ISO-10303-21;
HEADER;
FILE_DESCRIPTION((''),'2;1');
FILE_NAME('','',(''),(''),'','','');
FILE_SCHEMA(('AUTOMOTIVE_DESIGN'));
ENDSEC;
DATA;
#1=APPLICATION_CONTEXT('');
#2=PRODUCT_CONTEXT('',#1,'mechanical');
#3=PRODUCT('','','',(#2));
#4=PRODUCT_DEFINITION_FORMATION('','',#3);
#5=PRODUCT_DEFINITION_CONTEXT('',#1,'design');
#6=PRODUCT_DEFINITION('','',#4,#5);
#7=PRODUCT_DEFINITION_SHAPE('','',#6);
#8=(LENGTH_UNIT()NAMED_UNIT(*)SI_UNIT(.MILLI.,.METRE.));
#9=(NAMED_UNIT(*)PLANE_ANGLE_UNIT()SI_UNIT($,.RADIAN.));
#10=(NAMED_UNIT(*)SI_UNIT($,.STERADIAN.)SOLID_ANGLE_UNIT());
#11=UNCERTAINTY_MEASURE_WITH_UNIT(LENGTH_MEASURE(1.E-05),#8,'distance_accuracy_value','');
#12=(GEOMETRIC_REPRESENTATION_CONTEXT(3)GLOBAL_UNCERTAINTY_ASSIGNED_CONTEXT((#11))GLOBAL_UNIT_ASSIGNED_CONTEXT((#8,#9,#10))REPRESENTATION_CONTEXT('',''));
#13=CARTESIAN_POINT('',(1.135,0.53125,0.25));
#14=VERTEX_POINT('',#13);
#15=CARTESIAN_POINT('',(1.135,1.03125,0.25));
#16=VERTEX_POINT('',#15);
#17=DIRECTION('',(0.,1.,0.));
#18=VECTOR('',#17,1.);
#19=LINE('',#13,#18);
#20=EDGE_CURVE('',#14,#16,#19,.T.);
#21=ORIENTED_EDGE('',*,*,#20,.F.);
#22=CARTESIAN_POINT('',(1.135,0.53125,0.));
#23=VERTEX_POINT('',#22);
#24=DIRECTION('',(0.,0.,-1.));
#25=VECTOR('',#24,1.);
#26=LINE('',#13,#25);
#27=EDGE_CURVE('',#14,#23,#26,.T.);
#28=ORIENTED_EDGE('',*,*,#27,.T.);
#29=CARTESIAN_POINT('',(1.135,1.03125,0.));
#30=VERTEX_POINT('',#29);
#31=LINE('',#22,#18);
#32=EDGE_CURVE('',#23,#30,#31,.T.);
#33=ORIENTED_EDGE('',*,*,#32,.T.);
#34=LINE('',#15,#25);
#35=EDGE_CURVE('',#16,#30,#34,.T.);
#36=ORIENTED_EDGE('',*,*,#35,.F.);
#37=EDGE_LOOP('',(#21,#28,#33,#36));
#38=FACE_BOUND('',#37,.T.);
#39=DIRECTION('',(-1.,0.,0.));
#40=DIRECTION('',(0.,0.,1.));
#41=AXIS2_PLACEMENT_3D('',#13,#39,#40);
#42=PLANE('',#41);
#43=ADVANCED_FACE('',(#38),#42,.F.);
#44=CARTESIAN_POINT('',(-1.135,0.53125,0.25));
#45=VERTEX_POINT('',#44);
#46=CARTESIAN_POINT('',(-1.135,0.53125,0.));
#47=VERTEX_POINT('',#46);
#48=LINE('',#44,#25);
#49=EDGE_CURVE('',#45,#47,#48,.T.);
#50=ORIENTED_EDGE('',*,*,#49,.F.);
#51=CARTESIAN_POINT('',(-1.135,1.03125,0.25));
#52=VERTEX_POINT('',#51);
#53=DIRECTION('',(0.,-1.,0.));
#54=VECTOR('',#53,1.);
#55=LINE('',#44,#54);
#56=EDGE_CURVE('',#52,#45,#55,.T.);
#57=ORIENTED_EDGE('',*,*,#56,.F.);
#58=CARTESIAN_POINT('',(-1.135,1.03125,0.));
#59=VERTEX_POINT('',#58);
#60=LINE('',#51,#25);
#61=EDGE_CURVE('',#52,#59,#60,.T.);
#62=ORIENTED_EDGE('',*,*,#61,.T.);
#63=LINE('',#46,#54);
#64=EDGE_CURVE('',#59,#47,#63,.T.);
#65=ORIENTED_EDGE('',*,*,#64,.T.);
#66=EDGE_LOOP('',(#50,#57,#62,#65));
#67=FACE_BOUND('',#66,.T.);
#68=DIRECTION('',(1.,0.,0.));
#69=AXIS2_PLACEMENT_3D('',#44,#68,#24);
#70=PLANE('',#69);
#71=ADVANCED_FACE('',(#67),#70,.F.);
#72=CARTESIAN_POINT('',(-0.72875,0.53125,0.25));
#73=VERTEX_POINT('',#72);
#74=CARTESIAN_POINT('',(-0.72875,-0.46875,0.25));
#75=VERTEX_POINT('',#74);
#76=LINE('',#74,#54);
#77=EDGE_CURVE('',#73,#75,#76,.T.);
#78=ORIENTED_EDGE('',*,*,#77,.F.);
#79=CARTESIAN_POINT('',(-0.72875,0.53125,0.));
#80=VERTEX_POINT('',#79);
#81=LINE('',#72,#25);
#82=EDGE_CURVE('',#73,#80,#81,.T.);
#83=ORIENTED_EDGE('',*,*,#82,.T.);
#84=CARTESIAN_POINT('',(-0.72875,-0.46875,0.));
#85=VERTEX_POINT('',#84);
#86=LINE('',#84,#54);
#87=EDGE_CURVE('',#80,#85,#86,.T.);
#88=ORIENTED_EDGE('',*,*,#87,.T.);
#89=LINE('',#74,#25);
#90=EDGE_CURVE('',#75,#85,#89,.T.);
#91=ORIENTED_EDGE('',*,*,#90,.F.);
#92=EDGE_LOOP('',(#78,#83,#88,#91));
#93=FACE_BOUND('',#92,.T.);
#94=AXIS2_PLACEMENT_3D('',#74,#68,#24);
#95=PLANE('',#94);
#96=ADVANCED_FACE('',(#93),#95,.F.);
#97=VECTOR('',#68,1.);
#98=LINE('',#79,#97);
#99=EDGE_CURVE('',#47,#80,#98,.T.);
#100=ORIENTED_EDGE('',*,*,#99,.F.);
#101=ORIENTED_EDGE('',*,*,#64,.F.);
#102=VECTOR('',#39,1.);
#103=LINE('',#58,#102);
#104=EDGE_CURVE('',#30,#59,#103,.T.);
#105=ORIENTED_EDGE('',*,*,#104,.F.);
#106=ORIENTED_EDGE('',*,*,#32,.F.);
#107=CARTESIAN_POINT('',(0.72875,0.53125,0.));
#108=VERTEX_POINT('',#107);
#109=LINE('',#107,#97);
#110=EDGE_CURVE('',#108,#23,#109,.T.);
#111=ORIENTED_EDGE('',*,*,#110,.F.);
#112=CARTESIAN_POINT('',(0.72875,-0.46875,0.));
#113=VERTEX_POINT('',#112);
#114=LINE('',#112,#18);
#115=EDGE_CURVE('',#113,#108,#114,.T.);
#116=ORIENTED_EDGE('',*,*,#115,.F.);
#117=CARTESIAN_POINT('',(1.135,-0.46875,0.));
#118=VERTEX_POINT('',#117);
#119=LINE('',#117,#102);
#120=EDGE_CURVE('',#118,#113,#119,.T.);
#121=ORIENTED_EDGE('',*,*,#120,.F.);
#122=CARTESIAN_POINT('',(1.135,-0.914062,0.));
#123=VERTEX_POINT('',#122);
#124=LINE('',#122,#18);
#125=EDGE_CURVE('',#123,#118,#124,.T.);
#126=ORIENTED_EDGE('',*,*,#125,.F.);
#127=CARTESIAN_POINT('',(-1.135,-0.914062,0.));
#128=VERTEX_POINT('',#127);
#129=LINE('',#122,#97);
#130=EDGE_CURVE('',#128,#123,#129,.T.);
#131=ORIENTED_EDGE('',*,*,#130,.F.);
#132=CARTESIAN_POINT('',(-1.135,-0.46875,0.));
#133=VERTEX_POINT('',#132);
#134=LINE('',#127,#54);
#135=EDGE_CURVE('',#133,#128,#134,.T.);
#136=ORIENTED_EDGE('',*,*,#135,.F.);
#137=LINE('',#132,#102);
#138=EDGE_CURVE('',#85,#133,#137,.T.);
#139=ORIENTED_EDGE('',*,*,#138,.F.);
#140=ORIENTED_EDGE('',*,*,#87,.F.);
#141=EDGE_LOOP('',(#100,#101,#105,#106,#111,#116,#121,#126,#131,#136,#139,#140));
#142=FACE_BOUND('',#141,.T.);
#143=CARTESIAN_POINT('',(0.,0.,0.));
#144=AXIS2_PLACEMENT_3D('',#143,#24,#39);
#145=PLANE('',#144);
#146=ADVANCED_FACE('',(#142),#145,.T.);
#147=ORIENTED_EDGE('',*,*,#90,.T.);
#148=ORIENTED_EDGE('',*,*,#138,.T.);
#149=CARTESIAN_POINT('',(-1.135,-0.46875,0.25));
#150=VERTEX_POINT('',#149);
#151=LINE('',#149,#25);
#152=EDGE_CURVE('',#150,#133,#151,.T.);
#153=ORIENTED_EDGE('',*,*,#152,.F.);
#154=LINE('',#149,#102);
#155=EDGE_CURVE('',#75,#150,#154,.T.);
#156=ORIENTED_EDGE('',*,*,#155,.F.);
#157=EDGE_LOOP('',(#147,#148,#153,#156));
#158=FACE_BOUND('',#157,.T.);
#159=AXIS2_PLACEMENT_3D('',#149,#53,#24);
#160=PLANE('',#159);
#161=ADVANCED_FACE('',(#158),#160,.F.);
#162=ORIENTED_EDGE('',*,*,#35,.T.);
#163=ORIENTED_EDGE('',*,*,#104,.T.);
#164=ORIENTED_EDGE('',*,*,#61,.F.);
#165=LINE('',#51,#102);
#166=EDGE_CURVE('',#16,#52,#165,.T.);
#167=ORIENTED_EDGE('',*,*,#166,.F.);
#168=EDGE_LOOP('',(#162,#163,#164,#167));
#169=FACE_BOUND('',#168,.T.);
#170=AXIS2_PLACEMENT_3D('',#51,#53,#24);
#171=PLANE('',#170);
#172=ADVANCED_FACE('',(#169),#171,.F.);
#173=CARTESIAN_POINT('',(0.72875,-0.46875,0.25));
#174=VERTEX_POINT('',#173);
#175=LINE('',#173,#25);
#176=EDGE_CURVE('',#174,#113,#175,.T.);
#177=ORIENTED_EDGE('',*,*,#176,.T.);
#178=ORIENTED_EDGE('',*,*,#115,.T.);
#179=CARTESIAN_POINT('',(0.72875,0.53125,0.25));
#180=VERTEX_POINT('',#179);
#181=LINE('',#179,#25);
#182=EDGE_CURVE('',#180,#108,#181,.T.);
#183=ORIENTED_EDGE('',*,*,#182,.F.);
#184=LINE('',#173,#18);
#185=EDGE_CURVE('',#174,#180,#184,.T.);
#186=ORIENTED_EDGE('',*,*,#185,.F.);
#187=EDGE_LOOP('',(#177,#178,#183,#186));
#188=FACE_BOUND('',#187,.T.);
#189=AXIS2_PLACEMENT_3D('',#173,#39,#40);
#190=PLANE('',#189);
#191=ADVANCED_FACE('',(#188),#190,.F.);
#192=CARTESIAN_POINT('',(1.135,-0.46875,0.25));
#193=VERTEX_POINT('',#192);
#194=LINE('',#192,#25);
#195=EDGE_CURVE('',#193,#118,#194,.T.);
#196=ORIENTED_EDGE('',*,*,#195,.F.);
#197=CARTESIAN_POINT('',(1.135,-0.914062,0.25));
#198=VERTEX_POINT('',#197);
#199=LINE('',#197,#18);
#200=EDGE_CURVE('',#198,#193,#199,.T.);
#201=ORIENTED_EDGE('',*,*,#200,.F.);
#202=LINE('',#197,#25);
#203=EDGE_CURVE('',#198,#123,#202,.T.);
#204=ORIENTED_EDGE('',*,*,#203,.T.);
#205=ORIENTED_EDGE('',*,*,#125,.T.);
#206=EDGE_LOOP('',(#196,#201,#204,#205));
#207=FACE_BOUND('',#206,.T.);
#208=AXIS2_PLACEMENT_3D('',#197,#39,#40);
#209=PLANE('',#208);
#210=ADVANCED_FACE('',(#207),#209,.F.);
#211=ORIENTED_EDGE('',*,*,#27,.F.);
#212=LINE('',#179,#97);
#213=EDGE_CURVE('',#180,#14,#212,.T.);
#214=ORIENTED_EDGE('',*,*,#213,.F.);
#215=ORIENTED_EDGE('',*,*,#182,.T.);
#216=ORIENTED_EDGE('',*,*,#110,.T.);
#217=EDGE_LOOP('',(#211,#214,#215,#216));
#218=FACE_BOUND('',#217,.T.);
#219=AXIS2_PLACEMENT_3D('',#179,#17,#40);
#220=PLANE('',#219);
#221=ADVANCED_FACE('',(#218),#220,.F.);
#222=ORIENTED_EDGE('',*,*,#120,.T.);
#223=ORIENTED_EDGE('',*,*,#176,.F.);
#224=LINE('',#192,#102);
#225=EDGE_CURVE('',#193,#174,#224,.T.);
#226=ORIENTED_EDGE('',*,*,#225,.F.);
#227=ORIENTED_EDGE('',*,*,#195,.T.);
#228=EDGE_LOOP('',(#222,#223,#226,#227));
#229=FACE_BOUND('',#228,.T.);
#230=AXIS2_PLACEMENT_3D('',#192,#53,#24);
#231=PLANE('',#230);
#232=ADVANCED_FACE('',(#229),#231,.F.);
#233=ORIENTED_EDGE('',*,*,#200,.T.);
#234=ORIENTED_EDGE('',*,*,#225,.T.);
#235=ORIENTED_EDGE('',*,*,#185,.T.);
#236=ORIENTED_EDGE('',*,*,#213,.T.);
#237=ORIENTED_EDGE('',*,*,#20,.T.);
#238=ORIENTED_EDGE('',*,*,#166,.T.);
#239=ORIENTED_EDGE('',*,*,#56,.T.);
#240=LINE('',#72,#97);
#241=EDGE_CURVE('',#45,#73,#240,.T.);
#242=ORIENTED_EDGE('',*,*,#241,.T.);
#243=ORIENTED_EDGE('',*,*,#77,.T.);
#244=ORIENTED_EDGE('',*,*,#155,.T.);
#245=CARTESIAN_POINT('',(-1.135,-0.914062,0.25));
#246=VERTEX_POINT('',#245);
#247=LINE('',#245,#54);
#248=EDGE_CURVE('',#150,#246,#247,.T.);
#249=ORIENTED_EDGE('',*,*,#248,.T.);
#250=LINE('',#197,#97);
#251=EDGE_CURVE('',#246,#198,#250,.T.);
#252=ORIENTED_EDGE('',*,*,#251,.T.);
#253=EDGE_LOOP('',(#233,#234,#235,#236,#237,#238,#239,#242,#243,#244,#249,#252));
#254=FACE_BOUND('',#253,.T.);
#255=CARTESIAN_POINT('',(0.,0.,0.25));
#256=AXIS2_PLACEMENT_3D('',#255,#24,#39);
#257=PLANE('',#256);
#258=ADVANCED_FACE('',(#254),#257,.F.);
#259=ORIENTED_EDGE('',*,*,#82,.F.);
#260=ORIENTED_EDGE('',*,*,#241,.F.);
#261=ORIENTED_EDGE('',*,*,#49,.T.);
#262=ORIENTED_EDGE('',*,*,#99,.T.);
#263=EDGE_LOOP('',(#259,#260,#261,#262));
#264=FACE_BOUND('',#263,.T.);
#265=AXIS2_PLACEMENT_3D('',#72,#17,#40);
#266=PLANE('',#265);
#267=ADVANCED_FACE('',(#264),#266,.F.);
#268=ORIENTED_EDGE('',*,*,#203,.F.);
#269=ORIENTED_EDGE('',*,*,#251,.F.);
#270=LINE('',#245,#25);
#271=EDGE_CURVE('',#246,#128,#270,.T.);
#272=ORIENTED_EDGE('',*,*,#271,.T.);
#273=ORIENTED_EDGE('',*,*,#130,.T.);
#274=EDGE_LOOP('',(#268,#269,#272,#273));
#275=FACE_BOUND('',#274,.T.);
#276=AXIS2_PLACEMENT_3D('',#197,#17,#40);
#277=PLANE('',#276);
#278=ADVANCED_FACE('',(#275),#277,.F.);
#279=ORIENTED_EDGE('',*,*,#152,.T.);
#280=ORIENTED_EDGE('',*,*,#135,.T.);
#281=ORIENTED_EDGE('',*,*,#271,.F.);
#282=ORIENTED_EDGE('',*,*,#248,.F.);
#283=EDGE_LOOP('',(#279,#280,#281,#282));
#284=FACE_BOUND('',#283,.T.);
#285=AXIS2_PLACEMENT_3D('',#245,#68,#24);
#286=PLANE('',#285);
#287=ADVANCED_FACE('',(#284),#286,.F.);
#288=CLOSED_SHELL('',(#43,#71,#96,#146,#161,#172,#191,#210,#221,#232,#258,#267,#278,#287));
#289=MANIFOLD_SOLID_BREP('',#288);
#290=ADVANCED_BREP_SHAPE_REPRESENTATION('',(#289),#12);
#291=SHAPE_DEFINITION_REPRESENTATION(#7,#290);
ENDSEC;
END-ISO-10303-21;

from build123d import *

# Parameters (mm, degrees)
BOSS_EXTRUDE1_DEPTH = 0.25


with BuildPart() as part:
    # Sketch1 → Boss-Extrude1 (new body)
    with BuildSketch(Plane.XY):
        Polygon((1.135, -0.9140625), (-1.135, -0.9140625), (-1.135, -0.46875), (-0.72875, -0.46875), (-0.72875, 0.53125), (-1.135, 0.53125), (-1.135, 1.03125), (1.135, 1.03125), (1.135, 0.53125), (0.72875, 0.53125), (0.72875, -0.46875), (1.135, -0.46875), align=None)
    extrude(amount=BOSS_EXTRUDE1_DEPTH)


solid = part.part
